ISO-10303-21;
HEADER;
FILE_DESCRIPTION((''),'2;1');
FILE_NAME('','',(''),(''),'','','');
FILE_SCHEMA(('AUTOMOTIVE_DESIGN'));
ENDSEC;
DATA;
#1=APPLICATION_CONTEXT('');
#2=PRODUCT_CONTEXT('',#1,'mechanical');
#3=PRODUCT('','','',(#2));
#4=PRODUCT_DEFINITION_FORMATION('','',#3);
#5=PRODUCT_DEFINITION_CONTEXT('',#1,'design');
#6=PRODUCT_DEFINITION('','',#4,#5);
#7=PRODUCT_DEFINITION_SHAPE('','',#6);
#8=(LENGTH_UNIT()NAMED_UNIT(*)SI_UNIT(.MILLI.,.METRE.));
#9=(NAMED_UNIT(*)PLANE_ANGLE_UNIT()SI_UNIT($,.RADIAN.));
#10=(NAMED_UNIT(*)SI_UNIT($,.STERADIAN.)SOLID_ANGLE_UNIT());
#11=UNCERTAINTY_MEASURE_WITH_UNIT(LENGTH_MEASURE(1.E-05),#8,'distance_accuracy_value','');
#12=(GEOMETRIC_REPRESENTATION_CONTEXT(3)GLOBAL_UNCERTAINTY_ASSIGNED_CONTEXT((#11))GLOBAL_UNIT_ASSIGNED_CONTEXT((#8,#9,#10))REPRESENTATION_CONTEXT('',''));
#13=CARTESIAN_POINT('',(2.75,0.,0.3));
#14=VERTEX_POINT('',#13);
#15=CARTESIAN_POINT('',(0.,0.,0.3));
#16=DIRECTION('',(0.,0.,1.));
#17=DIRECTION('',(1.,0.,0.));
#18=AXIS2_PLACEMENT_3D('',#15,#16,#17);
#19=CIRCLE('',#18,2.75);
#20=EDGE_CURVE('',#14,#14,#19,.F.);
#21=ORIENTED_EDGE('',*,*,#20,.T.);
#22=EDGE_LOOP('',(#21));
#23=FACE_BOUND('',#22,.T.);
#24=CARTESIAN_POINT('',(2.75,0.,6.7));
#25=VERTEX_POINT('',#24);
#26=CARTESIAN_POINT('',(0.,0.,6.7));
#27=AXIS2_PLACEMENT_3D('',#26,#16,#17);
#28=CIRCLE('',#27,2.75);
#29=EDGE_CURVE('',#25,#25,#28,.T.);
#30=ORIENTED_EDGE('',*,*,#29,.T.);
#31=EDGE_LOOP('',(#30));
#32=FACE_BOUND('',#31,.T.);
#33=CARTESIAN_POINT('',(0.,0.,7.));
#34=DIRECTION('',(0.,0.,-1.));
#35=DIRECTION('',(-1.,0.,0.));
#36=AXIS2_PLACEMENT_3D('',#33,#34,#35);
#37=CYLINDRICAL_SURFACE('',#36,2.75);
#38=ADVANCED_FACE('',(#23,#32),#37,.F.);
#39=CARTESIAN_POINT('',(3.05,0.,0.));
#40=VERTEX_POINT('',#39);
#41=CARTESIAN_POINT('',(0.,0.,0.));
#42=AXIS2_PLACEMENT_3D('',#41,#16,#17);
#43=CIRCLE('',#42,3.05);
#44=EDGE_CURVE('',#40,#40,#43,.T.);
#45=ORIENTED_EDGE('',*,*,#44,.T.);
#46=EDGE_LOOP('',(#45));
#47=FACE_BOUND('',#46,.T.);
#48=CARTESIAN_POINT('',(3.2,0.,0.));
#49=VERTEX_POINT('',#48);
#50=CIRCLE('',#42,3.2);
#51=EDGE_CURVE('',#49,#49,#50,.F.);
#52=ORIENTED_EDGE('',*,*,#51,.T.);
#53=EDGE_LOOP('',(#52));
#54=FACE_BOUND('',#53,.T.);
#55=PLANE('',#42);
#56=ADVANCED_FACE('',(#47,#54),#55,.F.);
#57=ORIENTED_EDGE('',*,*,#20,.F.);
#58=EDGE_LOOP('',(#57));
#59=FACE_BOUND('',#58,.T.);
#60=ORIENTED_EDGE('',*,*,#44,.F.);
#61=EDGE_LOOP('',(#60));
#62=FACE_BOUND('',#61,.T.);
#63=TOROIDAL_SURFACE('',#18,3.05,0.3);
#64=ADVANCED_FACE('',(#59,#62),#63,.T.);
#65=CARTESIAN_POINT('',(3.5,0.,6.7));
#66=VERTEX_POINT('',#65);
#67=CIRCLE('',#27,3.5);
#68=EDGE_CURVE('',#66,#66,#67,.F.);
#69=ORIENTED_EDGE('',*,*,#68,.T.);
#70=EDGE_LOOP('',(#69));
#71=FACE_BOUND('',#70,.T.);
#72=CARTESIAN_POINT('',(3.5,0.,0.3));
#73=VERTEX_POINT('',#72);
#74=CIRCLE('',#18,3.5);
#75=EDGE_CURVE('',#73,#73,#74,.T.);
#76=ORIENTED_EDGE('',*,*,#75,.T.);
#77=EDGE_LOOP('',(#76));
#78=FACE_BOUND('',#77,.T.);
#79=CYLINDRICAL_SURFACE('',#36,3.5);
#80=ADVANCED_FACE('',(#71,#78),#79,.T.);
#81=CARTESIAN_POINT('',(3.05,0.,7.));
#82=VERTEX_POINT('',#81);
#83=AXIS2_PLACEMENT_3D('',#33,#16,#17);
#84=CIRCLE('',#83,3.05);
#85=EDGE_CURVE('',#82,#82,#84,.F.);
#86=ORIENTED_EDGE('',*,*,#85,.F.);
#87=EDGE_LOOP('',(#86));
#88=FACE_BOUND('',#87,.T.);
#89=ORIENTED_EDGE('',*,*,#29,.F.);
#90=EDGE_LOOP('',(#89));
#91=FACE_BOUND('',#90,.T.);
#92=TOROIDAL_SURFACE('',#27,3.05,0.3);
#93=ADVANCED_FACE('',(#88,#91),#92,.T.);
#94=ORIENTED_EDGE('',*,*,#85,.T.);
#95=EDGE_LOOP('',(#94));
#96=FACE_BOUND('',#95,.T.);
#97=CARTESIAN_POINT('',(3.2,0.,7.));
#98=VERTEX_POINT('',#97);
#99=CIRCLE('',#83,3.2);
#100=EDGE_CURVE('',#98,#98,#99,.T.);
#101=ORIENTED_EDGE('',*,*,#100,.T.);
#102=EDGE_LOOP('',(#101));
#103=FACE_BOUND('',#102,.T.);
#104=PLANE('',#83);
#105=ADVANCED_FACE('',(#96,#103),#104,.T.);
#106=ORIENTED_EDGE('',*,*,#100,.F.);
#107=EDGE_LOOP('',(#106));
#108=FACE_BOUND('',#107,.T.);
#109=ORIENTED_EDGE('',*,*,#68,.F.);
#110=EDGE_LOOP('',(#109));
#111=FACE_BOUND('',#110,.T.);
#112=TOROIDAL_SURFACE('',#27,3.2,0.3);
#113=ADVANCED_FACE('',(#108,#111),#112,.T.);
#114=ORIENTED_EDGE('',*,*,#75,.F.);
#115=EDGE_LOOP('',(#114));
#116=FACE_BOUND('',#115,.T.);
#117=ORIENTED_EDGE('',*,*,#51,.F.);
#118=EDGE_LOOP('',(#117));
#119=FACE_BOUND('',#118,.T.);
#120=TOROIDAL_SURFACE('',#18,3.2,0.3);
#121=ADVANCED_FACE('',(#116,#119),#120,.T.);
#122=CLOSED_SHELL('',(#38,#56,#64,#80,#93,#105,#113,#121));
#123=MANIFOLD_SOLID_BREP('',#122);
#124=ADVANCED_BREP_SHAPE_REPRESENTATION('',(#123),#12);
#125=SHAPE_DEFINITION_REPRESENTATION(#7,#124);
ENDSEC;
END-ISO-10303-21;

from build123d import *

# Parameters (mm, degrees)
SKETCH1_R           = 3.5
BOSS_EXTRUDE1_DEPTH = 7
SKETCH2_R           = 2.75
CUT_EXTRUDE1_DEPTH  = 7
FILLET2_R           = 0.3
FILLET3_R           = 0.3


with BuildPart() as part:
    # Sketch1 → Boss-Extrude1 (new body)
    with BuildSketch(Plane.XY):
        Circle(SKETCH1_R)
    extrude(amount=BOSS_EXTRUDE1_DEPTH)

    # Sketch2 → Cut-Extrude1 (cut)
    with BuildSketch(Plane(origin=(0, 0, 0), x_dir=(-1, 0, 0), z_dir=(0, 0, -1))):
        Circle(SKETCH2_R)
    extrude(amount=-CUT_EXTRUDE1_DEPTH, mode=Mode.SUBTRACT)

    # Fillet2
    fillet2_edges = [part.edges().sort_by_distance(p)[0] for p in [
        (-3.5, 0, 0),
        (2.75, 0, 7),
        (2.75, 0, 0),
    ]]
    fillet(fillet2_edges, radius=FILLET2_R)

    # Fillet3
    fillet3_edges = [part.edges().sort_by_distance(p)[0] for p in [
        (-3.5, 0, 7),
    ]]
    fillet(fillet3_edges, radius=FILLET3_R)


solid = part.part
